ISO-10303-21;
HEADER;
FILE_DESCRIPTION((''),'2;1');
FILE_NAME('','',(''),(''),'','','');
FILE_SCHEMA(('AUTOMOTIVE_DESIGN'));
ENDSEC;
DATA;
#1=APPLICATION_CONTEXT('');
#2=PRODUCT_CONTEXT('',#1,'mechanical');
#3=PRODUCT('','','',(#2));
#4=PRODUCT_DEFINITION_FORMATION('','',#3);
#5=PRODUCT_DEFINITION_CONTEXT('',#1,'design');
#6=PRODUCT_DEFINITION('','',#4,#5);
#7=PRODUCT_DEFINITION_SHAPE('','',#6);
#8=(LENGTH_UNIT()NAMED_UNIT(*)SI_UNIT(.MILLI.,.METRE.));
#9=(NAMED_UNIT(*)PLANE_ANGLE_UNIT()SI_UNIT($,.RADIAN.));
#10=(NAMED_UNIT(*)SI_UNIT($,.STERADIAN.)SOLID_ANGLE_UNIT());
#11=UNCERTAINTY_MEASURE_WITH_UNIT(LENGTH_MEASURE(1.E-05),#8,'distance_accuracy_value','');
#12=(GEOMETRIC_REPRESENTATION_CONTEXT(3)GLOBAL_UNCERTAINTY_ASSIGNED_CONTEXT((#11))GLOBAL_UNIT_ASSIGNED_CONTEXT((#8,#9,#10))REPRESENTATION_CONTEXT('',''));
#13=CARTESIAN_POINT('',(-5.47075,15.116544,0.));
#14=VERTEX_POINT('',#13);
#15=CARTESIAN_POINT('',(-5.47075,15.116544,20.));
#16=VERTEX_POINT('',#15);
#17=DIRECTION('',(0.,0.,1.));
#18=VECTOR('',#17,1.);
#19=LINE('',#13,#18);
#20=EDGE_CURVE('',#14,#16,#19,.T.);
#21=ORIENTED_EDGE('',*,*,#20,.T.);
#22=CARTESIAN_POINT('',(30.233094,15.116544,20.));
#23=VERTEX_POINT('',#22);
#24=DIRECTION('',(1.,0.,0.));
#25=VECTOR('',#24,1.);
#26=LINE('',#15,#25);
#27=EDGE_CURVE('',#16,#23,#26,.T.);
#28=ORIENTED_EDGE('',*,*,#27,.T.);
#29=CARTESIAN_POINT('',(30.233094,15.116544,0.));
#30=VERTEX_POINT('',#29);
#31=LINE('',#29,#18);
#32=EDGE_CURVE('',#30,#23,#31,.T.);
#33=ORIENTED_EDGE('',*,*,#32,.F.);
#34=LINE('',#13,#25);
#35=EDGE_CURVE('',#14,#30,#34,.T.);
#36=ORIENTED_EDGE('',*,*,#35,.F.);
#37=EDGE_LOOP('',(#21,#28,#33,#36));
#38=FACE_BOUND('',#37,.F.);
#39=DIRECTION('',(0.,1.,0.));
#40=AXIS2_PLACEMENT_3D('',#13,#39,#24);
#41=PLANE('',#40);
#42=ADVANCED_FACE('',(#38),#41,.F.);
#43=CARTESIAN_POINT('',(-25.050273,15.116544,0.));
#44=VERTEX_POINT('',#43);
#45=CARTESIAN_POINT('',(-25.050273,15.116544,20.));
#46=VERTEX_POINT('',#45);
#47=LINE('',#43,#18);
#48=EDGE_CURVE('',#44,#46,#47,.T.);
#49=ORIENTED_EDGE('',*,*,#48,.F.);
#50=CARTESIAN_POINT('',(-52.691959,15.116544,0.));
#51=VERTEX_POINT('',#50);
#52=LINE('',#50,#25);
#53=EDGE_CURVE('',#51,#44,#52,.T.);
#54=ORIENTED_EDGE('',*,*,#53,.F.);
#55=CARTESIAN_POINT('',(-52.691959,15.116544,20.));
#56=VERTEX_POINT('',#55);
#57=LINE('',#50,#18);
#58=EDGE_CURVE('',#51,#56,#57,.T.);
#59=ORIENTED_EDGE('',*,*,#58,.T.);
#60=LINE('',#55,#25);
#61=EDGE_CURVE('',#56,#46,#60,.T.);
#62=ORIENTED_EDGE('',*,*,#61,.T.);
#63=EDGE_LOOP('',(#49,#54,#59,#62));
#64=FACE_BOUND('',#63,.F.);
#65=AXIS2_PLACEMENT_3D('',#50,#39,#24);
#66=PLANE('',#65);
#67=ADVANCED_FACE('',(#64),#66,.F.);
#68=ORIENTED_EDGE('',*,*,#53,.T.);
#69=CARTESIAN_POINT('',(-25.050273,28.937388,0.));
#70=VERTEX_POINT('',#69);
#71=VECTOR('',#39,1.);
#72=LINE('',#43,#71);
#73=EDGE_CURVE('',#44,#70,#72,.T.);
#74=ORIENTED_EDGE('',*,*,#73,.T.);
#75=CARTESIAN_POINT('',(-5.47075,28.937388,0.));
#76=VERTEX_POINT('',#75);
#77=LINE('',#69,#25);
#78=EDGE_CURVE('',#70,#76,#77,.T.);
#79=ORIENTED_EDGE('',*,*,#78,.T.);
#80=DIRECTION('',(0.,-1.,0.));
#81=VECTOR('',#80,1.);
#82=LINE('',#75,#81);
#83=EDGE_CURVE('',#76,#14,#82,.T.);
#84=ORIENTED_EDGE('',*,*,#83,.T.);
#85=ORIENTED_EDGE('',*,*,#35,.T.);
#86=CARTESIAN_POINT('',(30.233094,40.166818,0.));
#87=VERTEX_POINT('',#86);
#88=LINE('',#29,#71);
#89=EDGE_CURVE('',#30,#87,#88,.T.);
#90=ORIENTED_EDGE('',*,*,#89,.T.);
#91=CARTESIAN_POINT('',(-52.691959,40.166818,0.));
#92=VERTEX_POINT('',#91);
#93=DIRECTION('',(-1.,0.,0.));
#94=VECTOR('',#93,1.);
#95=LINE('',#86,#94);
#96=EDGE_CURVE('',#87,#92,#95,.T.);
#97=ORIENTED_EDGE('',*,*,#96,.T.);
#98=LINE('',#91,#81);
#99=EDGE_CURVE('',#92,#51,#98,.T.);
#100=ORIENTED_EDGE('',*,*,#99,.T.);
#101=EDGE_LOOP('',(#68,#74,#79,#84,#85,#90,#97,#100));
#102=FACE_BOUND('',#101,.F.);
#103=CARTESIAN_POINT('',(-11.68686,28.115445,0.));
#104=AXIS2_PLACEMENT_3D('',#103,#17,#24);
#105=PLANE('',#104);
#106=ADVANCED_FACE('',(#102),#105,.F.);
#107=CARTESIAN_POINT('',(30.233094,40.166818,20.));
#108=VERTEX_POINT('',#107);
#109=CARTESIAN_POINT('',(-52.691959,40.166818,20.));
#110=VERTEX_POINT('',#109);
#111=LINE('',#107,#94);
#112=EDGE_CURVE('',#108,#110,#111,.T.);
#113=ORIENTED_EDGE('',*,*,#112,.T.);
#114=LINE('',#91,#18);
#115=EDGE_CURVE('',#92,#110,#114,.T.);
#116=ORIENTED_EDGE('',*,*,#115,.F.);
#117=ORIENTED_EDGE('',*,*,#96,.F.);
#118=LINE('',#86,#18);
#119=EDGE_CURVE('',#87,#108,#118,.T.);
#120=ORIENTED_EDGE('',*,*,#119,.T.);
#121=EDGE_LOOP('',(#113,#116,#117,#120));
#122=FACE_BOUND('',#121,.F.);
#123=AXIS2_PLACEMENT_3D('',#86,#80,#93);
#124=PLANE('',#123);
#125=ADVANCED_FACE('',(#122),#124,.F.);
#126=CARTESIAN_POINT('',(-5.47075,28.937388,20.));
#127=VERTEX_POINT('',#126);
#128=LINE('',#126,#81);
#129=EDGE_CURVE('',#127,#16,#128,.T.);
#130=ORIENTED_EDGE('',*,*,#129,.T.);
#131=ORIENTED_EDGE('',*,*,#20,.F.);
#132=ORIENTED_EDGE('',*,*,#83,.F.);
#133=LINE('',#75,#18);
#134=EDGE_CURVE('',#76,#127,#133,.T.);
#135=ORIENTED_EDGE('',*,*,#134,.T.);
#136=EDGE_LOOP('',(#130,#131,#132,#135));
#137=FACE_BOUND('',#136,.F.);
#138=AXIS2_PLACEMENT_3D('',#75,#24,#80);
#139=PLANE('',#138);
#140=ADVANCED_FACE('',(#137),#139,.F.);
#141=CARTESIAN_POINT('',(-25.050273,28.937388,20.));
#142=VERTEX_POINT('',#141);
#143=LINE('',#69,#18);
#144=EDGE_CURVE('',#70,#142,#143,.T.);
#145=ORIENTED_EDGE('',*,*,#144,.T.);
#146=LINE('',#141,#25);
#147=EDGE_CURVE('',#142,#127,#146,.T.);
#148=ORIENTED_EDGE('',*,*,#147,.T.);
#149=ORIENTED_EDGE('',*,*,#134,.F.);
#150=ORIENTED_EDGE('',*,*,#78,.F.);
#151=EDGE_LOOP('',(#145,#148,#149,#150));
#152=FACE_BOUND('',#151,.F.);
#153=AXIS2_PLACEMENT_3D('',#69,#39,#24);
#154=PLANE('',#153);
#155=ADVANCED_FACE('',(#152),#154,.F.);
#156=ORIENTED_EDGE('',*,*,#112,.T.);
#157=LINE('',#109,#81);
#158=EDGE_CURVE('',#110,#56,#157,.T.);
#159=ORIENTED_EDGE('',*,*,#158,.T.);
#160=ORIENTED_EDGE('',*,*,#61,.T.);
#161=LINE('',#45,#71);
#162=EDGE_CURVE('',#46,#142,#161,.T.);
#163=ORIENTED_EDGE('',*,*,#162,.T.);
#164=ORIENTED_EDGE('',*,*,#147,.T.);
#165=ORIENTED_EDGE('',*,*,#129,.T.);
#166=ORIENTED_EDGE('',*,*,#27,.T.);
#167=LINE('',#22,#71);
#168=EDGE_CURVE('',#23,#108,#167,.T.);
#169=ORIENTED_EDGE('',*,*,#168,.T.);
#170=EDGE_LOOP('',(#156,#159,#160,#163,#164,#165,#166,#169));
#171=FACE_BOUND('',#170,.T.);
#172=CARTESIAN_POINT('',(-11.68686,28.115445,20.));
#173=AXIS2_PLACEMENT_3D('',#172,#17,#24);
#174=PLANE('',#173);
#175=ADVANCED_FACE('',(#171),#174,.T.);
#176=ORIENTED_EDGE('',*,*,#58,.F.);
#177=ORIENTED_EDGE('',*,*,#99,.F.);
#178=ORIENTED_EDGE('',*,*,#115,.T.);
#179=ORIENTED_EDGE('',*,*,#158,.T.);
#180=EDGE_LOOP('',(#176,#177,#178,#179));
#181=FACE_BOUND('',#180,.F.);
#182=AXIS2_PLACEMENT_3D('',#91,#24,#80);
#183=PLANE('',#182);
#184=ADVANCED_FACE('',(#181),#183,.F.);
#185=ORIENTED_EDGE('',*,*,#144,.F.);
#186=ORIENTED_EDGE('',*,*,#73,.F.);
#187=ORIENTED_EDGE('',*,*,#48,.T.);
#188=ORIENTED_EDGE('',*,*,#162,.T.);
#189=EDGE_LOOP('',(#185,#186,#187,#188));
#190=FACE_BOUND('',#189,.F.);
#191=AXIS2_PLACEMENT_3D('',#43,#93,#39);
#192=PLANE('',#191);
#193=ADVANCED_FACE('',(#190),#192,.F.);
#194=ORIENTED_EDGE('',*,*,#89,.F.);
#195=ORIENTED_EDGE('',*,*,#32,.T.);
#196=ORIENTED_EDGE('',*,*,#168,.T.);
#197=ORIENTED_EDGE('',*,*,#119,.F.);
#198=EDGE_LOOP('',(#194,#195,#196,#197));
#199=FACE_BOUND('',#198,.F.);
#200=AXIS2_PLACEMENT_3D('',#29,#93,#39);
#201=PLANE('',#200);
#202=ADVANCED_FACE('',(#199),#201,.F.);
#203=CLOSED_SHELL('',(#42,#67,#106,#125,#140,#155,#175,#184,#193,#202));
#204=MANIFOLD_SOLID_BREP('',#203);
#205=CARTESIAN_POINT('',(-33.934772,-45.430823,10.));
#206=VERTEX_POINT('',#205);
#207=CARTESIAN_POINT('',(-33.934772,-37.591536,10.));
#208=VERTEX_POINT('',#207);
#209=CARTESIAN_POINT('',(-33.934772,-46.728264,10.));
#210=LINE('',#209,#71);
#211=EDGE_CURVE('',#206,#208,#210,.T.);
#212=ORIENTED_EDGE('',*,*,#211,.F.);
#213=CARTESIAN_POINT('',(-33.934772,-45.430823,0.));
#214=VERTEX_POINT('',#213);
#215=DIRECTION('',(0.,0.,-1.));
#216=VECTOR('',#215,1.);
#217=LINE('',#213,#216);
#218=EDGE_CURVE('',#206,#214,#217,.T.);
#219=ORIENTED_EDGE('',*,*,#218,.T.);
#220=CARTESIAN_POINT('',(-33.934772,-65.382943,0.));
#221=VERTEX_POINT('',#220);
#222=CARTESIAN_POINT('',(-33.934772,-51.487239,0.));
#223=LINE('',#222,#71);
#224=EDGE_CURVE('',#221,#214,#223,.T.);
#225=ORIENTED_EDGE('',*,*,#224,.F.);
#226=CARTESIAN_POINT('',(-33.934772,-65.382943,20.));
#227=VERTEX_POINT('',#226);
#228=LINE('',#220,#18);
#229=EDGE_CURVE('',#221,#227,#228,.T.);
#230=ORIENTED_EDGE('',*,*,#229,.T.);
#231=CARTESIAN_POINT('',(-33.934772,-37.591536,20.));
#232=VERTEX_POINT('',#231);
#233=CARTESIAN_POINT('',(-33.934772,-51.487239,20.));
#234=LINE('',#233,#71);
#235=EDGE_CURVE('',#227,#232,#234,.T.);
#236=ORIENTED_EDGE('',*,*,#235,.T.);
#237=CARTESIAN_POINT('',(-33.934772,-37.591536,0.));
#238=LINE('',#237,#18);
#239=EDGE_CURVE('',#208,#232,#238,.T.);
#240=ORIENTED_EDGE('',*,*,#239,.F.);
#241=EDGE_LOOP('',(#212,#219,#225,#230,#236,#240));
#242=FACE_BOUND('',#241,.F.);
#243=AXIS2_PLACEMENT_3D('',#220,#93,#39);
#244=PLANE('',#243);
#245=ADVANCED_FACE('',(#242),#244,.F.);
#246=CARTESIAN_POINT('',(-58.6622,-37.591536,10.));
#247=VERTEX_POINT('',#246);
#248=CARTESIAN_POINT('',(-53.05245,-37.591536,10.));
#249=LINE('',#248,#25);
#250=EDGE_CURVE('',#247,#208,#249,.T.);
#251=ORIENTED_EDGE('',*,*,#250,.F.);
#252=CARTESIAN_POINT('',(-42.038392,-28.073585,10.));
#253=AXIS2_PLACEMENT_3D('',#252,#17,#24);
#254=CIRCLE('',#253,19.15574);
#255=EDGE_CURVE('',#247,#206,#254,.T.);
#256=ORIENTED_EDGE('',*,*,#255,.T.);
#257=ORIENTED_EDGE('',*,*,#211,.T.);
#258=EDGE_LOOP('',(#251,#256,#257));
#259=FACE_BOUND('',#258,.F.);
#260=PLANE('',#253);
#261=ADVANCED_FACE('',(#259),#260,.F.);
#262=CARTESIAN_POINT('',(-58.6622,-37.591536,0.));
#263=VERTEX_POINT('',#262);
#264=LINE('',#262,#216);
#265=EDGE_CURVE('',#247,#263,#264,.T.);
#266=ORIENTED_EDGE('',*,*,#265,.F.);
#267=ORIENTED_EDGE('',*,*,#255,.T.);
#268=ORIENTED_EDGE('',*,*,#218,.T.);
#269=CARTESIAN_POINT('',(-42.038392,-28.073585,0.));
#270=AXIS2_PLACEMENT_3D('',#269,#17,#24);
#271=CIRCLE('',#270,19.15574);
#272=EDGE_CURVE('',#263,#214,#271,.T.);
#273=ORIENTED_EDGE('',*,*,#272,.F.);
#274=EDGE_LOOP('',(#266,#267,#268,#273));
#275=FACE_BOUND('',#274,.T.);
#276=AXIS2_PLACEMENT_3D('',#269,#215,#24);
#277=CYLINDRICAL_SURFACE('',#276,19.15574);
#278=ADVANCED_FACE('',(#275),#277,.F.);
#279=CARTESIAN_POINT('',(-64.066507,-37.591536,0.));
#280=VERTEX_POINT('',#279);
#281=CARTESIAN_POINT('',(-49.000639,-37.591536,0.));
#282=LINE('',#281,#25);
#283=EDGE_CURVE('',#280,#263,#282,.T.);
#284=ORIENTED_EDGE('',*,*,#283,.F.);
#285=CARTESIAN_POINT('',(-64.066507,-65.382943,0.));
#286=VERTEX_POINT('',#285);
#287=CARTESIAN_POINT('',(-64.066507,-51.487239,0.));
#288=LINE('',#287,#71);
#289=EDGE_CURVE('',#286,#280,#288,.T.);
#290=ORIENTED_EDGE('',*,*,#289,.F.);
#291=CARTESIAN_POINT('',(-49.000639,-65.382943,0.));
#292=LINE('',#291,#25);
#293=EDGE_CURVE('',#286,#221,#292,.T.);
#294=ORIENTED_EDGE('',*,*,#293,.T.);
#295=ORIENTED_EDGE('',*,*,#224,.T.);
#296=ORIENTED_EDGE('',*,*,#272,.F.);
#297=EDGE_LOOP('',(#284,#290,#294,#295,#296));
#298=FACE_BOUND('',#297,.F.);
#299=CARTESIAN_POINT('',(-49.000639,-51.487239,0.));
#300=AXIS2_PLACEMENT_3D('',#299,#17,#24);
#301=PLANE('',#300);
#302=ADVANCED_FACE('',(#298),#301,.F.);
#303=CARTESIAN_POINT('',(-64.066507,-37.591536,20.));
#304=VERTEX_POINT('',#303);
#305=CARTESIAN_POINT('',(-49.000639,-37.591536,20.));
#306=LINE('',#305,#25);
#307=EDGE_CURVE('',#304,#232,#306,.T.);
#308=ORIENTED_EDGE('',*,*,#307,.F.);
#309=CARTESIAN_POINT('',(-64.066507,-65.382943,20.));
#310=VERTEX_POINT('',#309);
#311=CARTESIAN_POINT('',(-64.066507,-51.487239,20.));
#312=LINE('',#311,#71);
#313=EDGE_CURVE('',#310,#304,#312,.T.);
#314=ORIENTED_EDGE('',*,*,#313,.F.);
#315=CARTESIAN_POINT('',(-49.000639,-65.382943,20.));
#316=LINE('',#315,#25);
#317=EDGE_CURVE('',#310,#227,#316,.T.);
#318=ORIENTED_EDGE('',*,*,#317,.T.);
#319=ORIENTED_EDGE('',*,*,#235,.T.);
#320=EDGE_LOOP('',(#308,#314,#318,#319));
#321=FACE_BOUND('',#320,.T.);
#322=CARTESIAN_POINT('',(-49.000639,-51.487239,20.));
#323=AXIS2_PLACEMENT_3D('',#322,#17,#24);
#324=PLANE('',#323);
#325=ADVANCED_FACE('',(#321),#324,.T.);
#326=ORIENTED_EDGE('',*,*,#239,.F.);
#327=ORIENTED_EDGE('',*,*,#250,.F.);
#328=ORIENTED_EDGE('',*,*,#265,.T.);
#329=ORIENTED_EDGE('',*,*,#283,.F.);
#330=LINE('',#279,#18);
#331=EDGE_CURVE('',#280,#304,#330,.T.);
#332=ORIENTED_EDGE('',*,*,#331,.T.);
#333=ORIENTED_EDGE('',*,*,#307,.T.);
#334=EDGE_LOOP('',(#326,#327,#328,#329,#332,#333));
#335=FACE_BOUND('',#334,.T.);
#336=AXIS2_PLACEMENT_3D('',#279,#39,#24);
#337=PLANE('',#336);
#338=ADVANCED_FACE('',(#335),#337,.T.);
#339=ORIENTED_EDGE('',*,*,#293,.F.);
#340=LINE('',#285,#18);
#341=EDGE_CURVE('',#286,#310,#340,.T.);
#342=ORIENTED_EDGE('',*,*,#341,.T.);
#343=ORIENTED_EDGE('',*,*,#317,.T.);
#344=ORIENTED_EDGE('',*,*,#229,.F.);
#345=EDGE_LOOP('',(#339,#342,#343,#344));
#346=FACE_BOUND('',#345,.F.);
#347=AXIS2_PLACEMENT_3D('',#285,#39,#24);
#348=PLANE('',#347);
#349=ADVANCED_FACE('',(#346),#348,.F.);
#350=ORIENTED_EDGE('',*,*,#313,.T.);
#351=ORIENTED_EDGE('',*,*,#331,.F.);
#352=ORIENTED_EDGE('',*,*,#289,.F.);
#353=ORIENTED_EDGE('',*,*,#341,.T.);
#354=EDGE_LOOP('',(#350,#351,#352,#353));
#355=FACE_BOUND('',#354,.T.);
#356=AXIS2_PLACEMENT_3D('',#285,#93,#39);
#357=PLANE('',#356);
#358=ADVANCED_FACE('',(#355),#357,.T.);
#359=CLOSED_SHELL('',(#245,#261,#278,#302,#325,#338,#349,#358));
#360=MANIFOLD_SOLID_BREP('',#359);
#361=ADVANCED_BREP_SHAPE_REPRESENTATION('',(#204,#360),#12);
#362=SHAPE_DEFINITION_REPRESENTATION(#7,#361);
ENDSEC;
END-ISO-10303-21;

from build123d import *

# Parameters (mm, degrees)
F1_W     = 30.1317349076
F1_H     = 27.7914069593
F2_DEPTH = 20
F3_R     = 19.1557401368
F4_DEPTH = 10


with BuildPart() as f2:
    # F1 (on Top) → F2 (new body)
    with BuildSketch(Plane.XY):
        with Locations((-49.0006394684, -51.4872390777)):
            Rectangle(F1_W, F1_H)
    extrude(amount=F2_DEPTH)

    # F3 (on Top) → F4 (cut)
    with BuildSketch(Plane.XY):
        with Locations((-42.0383922756, -28.0735846609)):
            Circle(F3_R)
    extrude(amount=F4_DEPTH, mode=Mode.SUBTRACT)


with BuildPart() as f2b:
    # F1 (on Top) → F2, piece 2 (new body)
    with BuildSketch(Plane.XY):
        Polygon((30.2330944687, 40.1668176055), (-52.6919588447, 40.1668176055), (-52.6919588447, 15.1165444404), (-25.0502731651, 15.1165444404), (-25.0502731651, 28.9373882115), (-5.4707499221, 28.9373882115), (-5.4707499221, 15.1165444404), (30.2330944687, 15.1165444404), align=None)
    extrude(amount=F2_DEPTH)


solid = Compound([f2.part, f2b.part])
